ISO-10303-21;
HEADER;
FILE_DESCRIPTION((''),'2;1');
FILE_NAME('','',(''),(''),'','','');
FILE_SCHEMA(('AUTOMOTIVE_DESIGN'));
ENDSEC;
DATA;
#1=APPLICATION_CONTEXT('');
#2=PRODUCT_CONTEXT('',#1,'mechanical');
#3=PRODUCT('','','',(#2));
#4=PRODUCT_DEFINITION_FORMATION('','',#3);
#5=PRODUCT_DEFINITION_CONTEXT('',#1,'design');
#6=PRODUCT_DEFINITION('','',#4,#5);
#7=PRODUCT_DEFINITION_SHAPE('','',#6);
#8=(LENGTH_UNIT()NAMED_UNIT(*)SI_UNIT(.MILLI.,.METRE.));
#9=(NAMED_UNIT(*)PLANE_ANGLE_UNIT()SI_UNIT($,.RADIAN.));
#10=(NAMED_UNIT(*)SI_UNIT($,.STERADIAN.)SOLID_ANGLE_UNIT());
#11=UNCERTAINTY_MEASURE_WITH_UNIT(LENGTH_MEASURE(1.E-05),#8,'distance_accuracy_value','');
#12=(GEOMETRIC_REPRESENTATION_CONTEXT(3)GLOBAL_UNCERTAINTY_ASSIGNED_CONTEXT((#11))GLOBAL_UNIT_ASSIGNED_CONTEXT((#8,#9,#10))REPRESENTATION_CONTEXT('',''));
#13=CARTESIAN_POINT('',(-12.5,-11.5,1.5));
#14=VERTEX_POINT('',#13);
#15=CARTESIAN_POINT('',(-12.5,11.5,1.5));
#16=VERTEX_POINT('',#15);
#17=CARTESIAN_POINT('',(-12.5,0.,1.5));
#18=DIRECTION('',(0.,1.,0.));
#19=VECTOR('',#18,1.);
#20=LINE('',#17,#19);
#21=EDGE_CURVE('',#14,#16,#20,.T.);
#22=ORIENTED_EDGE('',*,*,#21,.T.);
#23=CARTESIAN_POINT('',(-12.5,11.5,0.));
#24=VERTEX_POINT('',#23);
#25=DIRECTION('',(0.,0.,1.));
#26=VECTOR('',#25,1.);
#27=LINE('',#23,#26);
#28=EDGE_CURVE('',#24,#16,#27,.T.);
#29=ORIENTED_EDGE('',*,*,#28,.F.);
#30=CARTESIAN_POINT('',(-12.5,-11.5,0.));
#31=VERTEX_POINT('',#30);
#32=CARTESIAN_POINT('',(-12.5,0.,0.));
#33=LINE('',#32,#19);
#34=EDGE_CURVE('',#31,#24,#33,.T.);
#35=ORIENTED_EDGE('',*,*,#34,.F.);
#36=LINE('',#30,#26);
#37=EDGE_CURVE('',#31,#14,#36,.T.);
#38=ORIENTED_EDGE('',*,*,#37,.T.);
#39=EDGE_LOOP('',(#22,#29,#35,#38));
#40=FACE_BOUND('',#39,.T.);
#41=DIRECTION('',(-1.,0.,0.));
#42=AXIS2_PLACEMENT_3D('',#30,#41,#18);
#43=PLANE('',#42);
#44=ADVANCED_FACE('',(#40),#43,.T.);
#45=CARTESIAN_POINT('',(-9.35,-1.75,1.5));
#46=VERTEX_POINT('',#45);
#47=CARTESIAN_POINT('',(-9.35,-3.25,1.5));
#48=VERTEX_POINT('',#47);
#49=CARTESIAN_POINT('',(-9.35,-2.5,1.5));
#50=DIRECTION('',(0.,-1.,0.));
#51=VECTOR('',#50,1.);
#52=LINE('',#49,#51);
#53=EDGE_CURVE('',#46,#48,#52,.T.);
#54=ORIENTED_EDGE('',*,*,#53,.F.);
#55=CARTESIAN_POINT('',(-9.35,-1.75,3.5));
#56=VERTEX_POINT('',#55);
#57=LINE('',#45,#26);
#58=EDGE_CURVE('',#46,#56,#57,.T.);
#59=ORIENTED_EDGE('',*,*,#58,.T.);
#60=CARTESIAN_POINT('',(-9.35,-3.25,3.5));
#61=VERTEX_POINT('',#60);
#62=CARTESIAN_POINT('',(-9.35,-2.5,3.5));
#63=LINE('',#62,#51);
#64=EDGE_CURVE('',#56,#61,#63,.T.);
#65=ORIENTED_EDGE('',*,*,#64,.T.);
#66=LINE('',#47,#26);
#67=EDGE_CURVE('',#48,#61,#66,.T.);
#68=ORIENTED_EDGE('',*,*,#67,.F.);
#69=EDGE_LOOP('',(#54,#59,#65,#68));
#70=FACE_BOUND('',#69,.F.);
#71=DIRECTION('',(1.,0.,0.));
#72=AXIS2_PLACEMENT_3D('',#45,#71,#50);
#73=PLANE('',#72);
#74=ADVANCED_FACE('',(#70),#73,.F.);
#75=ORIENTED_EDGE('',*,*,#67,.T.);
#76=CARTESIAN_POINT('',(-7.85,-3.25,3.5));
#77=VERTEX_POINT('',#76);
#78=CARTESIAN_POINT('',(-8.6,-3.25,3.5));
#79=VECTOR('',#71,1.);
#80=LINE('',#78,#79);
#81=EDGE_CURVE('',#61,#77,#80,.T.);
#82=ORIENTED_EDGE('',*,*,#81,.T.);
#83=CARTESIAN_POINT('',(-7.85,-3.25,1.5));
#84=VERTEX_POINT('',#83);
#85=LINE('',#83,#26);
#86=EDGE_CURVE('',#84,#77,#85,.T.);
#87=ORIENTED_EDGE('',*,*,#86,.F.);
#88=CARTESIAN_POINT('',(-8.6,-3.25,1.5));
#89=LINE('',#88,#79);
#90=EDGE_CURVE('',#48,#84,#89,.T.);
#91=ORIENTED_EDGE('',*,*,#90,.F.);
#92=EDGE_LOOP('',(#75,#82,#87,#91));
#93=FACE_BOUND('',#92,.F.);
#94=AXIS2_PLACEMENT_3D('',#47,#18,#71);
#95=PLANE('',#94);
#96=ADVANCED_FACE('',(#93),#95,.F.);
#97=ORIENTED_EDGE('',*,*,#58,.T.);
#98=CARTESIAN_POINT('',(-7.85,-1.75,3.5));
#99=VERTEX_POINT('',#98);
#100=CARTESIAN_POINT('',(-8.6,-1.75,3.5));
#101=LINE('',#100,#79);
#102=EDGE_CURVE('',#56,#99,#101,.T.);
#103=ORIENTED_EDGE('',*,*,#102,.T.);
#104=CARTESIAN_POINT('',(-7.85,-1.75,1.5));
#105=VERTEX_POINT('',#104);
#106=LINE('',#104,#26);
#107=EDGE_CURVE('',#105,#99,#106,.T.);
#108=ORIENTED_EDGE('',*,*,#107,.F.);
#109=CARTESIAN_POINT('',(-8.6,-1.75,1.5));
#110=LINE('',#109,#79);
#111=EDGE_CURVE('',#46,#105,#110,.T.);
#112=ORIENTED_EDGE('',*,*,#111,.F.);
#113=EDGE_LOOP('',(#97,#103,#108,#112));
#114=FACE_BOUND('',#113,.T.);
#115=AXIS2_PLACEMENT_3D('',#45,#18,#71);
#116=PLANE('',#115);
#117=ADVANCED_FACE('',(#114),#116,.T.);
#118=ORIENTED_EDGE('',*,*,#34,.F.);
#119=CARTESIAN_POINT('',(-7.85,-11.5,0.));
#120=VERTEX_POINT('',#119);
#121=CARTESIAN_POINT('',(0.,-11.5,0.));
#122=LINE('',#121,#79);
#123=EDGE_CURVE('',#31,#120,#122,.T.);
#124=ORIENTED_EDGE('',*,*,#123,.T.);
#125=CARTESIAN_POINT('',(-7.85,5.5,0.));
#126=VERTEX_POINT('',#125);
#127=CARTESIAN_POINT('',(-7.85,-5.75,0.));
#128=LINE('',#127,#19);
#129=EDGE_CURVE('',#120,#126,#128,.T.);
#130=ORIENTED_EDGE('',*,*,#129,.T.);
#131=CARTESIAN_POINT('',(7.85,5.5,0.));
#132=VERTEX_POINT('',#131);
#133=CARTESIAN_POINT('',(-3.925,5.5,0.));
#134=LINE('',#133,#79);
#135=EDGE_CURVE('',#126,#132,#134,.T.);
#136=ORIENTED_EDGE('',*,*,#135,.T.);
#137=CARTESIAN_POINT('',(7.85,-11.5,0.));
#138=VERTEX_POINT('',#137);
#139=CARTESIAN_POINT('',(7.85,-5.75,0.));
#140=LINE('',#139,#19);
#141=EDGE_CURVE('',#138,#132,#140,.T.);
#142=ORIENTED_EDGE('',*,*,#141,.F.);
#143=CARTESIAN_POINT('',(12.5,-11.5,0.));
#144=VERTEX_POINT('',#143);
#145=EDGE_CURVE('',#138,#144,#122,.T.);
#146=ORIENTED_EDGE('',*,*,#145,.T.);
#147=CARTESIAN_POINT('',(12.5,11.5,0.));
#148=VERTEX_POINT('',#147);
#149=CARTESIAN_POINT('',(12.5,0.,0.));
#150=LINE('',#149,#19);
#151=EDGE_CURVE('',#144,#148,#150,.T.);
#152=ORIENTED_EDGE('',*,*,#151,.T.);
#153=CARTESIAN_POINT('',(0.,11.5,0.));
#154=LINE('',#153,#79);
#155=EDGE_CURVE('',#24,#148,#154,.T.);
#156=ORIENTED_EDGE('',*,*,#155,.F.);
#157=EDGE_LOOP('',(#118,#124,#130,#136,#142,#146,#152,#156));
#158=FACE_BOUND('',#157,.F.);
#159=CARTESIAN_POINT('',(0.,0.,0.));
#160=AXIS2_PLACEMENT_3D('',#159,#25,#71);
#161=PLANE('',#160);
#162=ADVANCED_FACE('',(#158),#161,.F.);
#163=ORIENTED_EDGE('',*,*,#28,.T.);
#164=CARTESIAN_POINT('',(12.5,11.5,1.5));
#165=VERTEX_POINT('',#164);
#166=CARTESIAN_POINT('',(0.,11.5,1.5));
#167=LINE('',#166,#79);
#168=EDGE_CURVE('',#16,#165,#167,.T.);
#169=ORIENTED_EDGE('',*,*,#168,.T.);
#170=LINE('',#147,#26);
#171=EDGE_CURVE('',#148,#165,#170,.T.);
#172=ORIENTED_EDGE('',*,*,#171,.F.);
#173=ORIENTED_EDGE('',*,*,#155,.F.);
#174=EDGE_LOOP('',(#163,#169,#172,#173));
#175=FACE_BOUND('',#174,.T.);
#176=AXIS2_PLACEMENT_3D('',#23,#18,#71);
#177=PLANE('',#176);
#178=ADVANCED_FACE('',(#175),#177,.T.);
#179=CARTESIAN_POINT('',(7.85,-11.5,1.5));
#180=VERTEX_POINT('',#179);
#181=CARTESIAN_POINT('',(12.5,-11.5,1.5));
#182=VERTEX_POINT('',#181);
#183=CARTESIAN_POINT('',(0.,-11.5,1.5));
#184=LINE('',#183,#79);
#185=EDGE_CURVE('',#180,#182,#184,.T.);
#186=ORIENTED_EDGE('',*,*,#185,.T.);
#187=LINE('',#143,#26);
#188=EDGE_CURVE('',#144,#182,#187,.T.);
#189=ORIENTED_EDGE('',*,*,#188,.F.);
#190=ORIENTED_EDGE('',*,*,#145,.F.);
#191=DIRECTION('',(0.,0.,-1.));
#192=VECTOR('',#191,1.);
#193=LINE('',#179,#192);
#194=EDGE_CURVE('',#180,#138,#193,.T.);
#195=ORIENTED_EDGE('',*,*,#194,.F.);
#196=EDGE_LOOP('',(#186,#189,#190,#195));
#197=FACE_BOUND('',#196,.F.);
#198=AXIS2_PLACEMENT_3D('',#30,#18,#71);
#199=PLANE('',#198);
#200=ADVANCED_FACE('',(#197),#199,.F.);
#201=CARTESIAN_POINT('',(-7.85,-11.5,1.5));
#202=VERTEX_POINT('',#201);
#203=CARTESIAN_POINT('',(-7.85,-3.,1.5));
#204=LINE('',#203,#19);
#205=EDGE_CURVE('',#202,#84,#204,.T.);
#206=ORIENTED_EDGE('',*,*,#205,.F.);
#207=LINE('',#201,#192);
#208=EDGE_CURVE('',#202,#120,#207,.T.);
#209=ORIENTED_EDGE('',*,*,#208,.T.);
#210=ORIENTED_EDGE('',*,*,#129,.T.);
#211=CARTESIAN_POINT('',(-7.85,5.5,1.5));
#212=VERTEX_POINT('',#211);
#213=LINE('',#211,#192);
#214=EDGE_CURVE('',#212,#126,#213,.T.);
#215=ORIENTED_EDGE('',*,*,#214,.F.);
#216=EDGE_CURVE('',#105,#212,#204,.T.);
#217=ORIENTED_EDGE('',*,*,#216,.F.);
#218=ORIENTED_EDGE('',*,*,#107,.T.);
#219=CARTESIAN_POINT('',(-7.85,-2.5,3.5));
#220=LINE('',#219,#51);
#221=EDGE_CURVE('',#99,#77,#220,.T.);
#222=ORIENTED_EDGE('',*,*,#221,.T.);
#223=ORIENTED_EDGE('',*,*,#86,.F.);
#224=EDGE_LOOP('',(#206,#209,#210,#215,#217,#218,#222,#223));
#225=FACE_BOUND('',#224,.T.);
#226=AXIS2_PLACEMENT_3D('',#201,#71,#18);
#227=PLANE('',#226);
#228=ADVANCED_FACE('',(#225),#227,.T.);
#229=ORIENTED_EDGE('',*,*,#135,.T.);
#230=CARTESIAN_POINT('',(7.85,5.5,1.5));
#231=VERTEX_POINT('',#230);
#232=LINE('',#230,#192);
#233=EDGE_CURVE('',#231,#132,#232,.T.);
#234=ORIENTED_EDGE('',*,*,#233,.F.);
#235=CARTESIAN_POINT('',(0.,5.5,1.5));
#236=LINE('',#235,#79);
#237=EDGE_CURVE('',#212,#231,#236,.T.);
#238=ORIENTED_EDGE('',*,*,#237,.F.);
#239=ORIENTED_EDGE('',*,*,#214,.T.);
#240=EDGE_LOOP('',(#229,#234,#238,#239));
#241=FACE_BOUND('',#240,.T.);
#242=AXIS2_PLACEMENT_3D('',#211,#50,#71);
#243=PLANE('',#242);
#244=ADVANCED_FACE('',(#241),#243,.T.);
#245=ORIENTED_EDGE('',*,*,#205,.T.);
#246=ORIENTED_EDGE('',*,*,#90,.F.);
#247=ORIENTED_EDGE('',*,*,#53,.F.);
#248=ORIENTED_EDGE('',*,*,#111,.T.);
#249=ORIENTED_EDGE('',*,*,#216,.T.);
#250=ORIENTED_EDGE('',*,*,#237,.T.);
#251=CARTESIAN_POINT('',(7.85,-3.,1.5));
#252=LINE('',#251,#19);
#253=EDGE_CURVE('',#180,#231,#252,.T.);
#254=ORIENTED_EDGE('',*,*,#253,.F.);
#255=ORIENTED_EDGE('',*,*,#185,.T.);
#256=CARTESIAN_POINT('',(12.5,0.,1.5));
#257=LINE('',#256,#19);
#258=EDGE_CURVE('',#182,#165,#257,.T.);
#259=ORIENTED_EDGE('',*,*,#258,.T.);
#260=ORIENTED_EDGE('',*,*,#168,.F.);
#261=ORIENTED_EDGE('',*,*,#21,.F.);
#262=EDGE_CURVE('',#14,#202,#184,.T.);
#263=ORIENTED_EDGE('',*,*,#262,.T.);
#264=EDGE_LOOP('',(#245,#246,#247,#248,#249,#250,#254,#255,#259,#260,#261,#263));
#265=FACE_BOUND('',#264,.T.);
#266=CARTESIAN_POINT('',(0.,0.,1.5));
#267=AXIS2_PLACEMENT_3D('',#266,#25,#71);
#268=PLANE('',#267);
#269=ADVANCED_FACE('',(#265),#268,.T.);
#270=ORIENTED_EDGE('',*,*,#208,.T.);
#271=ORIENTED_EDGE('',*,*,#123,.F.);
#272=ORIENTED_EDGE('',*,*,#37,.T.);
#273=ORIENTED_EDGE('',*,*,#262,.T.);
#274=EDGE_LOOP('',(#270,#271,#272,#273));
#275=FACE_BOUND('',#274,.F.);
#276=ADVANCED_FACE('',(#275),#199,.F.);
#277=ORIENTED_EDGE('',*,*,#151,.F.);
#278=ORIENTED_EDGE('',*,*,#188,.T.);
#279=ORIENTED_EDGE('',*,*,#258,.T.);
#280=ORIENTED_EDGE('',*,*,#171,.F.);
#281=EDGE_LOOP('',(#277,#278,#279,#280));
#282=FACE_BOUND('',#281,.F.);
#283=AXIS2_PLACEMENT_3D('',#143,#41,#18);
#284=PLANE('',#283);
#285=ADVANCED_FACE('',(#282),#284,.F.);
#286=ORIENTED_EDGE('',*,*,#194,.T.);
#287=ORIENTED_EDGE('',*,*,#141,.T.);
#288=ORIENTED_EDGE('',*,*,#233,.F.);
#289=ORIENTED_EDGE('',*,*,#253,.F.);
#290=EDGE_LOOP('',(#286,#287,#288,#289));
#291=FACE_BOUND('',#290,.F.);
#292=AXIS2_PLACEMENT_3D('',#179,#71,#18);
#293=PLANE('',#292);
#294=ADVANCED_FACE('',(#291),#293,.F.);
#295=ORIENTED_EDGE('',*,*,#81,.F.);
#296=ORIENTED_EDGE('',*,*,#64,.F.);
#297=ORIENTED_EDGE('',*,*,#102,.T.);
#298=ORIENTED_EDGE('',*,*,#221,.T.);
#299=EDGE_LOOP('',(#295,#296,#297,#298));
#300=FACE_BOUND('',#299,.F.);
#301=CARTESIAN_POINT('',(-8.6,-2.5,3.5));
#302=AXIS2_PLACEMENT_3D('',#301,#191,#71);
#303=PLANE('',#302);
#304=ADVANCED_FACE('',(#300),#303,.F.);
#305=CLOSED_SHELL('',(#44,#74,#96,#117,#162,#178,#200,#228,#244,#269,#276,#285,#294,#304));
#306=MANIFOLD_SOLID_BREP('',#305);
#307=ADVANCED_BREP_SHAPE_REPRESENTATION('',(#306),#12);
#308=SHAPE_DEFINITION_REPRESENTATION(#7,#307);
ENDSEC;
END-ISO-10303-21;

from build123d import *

# Parameters (mm, degrees)
SKETCH_W     = 25
SKETCH_H     = 23
PAD_DEPTH    = 1.5
SKETCH001_W  = 15.7
SKETCH001_H  = 17
POCKET_DEPTH = 5
SKETCH002_W  = 1.5
SKETCH002_H  = 1.5
PAD001_DEPTH = 2


with BuildPart() as part:
    # Sketch → Pad (new body)
    with BuildSketch(Plane.XY):
        Rectangle(SKETCH_W, SKETCH_H)
    extrude(amount=PAD_DEPTH)

    # Sketch001 (on Face6 of Pad) → Pocket (cut)
    with BuildSketch(Plane.XY.offset(1.5)):
        with Locations((0, -3)):
            Rectangle(SKETCH001_W, SKETCH001_H)
    extrude(amount=-POCKET_DEPTH, mode=Mode.SUBTRACT)

    # Sketch002 (on Face4 of Pocket) → Pad001 (join)
    with BuildSketch(Plane(origin=(0, 0, 1.5), x_dir=(1, 0, 0), z_dir=(0, 0, -1))):
        with Locations((-8.6, 2.5)):
            Rectangle(SKETCH002_W, SKETCH002_H)
    extrude(amount=-PAD001_DEPTH)


solid = part.part
